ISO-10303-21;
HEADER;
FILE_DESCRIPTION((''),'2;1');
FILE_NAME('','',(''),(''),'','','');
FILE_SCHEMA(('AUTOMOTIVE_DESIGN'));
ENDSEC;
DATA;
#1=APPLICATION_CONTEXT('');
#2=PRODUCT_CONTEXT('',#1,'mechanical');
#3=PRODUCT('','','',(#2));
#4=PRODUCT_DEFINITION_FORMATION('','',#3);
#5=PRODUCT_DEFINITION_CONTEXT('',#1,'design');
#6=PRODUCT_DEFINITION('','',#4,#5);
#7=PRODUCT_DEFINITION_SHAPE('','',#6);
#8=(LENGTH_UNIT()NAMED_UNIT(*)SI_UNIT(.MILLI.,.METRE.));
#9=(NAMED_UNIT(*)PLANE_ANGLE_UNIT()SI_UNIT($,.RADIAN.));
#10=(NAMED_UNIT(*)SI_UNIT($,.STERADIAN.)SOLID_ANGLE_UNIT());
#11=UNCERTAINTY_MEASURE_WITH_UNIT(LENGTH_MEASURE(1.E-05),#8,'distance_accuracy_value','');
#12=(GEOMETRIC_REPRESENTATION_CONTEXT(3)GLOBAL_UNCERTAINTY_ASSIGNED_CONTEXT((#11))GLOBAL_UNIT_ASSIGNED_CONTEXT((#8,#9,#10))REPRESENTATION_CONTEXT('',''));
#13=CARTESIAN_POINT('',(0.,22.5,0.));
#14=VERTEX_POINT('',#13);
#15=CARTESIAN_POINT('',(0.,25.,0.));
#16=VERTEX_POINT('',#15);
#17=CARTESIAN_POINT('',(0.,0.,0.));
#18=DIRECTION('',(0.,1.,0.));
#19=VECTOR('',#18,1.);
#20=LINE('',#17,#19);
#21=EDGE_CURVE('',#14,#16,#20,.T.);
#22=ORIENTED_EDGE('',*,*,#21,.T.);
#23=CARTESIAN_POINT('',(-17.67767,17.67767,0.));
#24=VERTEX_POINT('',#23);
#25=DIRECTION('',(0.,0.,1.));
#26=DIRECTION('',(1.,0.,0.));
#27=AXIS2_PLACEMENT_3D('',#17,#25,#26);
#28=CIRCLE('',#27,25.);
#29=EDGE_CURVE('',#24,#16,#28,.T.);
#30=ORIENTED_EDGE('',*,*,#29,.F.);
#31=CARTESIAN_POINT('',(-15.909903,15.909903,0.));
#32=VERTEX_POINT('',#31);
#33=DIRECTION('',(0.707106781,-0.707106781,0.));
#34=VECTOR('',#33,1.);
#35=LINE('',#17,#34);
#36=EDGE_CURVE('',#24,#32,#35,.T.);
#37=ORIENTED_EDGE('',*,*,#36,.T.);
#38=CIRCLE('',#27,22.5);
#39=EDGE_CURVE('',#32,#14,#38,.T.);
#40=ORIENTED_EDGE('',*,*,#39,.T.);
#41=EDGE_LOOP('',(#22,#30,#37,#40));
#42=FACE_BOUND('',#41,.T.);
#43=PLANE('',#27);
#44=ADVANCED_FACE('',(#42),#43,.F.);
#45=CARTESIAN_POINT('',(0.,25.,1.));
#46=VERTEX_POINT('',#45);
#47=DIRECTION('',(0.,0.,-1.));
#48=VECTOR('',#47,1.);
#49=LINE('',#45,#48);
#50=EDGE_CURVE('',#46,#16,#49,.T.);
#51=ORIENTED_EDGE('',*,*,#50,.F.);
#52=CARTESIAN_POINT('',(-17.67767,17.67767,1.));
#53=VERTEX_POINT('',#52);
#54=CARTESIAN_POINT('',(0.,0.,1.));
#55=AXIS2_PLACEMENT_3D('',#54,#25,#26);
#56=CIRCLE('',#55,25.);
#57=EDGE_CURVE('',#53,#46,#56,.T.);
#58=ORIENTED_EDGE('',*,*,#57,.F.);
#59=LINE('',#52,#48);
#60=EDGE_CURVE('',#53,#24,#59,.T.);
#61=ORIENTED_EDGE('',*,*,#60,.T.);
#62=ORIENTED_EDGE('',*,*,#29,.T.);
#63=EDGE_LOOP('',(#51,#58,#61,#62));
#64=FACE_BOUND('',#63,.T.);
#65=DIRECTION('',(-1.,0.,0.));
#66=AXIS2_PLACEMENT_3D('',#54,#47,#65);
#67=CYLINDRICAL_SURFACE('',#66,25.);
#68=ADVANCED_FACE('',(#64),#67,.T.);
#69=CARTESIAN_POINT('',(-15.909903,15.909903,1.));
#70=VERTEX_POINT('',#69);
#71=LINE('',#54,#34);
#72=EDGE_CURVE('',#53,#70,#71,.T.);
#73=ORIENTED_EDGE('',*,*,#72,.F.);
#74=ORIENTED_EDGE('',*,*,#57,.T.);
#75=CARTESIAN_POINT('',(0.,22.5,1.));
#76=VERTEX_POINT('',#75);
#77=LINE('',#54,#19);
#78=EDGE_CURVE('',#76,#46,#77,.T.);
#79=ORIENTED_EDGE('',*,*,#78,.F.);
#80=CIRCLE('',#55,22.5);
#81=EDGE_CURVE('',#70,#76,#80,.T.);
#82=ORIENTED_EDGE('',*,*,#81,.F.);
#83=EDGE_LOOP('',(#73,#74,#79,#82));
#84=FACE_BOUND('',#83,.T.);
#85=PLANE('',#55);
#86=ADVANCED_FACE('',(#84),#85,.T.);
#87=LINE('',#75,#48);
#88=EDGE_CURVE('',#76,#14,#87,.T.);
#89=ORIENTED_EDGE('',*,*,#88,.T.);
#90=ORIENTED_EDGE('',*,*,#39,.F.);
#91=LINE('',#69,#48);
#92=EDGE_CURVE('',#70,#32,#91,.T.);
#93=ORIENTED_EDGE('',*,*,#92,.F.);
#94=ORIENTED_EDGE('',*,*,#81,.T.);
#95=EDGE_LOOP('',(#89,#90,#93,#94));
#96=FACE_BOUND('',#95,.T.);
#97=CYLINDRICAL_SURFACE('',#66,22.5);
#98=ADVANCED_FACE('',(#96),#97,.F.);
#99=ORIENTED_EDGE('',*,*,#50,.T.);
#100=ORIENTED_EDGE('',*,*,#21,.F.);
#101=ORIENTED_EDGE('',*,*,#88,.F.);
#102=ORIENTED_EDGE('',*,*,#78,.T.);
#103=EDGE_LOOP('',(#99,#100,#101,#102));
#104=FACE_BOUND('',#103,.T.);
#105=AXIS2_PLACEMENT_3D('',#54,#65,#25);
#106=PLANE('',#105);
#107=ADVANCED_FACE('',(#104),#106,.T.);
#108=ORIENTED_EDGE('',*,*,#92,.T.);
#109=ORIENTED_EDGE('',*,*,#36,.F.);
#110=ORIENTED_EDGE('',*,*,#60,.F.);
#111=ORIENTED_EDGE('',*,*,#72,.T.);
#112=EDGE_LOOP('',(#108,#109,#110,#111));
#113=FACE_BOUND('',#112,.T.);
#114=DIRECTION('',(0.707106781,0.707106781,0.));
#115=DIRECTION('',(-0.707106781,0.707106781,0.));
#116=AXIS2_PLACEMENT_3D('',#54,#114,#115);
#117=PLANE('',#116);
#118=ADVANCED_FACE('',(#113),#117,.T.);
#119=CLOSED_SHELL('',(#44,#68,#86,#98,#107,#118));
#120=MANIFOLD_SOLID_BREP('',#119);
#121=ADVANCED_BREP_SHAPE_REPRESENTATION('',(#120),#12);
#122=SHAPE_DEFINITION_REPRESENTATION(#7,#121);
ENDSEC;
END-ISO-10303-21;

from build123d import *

# Parameters (mm, degrees)
BOSS_EXTRUDE1_DEPTH = 1


with BuildPart() as part:
    # Sketch1 → Boss-Extrude1 (new body)
    with BuildSketch(Plane.XY):
        with BuildLine():
            Line((0, 25), (0, 22.5))
            ThreePointArc((0, 22.5), (15.909902577, 15.909902577), (22.5, 0))
            ThreePointArc((22.5, 0), (-8.610377228, -20.787289482), (-15.909902577, 15.909902577))
            Line((-15.909902577, 15.909902577), (-17.67766953, 17.67766953))
            ThreePointArc((-17.67766953, 17.67766953), (-9.567085809, -23.096988313), (25, 0))
            ThreePointArc((25, 0), (17.67766953, 17.67766953), (0, 25))
        make_face()
    extrude(amount=BOSS_EXTRUDE1_DEPTH)


solid = part.part
